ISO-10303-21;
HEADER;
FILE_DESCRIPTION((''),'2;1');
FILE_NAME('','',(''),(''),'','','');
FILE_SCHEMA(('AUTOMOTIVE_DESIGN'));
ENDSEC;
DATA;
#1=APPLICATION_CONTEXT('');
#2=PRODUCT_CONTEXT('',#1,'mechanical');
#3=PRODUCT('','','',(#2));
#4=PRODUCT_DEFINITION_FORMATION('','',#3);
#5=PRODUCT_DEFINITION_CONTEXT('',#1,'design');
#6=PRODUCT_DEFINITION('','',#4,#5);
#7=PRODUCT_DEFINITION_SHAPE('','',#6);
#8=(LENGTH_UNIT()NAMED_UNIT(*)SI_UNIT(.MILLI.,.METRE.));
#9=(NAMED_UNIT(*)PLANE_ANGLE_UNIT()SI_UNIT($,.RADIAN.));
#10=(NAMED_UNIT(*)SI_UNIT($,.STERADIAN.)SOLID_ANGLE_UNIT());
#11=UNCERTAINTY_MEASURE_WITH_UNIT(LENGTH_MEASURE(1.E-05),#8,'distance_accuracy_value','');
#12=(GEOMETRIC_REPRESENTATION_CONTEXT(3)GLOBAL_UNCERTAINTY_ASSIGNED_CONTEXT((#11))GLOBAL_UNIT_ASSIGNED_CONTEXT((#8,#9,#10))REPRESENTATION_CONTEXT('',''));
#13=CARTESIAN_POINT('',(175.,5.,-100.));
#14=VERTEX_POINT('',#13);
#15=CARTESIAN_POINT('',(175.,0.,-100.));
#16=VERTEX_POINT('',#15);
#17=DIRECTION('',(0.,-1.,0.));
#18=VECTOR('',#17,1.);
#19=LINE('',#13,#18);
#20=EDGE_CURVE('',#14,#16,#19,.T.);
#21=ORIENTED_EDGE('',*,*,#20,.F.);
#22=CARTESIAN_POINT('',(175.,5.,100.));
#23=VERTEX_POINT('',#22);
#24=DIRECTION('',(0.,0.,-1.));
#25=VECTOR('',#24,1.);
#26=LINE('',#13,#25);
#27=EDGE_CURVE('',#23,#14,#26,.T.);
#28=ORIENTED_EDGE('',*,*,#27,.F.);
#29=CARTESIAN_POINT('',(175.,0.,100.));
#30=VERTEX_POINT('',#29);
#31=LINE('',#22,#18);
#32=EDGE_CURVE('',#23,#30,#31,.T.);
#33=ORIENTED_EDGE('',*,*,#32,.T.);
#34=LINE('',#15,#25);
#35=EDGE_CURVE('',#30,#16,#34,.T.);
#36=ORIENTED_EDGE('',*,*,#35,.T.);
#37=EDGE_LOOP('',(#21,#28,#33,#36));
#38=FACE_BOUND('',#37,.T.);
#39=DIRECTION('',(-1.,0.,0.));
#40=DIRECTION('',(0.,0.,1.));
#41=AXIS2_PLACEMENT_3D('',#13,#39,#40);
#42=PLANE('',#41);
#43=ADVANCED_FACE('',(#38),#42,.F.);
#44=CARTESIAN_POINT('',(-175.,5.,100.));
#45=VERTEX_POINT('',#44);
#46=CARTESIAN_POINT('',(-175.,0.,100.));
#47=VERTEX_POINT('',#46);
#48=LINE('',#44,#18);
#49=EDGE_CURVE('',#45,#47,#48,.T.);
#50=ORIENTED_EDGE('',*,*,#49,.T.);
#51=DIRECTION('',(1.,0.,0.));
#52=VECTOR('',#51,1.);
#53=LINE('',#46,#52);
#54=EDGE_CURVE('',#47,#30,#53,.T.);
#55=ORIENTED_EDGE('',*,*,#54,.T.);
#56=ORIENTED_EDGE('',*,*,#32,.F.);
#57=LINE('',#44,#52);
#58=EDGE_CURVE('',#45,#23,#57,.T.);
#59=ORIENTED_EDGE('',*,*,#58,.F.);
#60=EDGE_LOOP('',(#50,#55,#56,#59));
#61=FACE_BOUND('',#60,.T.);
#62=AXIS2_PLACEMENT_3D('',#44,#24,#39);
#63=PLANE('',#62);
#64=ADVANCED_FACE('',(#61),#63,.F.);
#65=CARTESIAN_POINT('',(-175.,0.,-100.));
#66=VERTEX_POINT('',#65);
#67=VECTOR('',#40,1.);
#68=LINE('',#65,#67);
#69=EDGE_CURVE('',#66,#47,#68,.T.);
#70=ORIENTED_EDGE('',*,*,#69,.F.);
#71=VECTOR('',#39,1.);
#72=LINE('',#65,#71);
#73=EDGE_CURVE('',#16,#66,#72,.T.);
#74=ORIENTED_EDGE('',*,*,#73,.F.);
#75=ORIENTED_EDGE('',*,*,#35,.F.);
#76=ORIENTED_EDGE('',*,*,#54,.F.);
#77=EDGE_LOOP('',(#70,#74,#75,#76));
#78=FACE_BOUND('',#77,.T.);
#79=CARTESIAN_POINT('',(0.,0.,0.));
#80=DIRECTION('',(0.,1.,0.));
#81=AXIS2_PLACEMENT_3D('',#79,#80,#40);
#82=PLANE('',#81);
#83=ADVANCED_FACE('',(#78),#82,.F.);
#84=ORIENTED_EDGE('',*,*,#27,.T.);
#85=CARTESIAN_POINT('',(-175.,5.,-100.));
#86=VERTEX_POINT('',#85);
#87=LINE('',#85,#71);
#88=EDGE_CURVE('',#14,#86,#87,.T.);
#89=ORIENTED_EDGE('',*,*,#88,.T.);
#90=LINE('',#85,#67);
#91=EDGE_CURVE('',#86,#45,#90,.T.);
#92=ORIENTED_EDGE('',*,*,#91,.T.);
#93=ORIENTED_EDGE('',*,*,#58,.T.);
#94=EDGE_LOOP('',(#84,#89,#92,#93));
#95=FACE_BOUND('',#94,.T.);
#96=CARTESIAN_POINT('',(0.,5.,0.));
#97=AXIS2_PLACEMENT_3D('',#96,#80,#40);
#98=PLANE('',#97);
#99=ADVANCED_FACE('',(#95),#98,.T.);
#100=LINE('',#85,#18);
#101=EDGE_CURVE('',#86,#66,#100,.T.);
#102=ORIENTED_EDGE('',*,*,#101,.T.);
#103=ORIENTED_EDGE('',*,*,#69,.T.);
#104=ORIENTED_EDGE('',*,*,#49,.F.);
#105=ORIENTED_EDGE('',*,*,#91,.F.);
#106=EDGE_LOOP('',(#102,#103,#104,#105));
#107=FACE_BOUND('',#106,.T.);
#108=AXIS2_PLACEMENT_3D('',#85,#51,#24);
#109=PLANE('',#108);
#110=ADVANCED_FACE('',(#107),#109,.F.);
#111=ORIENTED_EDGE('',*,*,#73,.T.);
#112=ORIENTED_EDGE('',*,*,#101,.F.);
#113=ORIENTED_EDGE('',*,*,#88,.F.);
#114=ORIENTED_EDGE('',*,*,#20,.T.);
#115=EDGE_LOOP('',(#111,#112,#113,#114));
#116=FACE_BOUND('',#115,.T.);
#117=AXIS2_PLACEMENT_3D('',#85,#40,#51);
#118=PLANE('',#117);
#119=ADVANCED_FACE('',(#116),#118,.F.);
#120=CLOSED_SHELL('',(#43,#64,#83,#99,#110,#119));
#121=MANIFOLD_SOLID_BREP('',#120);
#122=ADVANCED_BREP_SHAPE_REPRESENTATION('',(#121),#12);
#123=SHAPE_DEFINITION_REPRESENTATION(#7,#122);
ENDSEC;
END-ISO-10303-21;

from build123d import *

# Parameters (mm, degrees)
ESQUISSE1_W        = 350
ESQUISSE1_H        = 200
BOSS_EXTRU_1_DEPTH = 5


with BuildPart() as part:
    # Esquisse1 → Boss.-Extru.1 (new body)
    with BuildSketch(Plane(origin=(0, 0, 0), x_dir=(1, 0, 0), z_dir=(0, 1, 0))):
        Rectangle(ESQUISSE1_W, ESQUISSE1_H)
    extrude(amount=BOSS_EXTRU_1_DEPTH)


solid = part.part
